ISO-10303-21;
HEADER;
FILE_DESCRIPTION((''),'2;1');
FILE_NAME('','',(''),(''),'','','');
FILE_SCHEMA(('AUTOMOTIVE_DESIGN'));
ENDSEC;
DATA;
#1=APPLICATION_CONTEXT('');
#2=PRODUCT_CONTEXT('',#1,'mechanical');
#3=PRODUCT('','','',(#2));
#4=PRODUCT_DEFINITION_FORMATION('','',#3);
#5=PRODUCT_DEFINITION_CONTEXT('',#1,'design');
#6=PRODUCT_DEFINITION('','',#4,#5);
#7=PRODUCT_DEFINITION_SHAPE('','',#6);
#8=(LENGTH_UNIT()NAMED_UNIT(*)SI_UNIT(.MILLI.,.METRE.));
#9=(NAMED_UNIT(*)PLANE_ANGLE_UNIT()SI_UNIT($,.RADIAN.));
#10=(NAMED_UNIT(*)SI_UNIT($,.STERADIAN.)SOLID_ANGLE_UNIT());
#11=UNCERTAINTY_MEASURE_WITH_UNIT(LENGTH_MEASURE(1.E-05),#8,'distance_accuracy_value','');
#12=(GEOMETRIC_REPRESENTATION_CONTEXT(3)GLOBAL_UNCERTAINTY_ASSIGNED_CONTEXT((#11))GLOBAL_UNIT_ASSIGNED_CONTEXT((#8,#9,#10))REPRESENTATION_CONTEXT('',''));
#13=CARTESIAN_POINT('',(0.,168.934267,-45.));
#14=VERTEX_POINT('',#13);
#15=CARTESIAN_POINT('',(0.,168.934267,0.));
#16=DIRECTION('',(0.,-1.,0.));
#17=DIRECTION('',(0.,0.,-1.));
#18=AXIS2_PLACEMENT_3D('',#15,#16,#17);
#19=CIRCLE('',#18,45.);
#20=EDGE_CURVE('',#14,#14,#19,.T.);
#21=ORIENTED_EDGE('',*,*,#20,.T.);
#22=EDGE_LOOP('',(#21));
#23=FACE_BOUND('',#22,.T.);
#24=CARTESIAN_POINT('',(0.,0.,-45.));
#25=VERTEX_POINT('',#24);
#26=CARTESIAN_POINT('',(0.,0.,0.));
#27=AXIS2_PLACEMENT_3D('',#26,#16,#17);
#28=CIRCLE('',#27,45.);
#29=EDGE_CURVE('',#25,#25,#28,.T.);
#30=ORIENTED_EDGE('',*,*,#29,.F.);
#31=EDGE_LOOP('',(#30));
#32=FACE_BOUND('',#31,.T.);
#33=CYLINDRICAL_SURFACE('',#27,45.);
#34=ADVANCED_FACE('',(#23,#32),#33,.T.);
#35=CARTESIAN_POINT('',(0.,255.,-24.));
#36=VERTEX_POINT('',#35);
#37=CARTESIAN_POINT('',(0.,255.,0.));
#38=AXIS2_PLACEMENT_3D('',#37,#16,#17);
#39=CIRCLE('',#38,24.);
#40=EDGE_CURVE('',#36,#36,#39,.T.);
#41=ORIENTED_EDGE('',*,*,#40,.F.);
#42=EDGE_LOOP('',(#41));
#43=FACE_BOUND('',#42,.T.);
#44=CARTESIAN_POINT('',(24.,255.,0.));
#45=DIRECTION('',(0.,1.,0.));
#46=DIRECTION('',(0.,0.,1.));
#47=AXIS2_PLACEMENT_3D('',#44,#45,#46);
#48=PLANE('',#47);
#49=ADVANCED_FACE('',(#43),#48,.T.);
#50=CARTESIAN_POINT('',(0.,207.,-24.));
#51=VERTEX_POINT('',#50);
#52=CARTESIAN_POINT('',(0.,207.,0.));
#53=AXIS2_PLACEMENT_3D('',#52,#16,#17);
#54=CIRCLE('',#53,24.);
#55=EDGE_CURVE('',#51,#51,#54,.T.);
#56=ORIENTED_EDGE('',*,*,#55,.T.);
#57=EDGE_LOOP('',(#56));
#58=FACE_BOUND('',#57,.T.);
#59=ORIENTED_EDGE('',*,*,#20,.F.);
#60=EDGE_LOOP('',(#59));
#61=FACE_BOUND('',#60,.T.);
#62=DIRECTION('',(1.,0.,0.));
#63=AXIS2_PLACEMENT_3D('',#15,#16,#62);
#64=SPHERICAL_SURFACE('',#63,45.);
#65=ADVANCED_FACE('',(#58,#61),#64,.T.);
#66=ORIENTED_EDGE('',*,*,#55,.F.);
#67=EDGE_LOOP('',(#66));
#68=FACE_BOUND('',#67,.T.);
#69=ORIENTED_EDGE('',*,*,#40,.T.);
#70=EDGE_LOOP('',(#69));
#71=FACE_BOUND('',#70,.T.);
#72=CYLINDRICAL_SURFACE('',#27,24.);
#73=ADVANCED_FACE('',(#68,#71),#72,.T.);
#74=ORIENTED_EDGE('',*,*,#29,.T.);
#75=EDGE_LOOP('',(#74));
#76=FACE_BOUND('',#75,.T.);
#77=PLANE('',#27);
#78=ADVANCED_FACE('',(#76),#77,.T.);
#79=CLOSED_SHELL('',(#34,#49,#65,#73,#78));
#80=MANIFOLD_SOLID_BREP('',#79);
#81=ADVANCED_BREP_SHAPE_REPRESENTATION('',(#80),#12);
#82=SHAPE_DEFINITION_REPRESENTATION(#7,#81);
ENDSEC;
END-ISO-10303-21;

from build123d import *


with BuildPart() as part:
    # Skica1 → Rotovat1 (revolve)
    with BuildSketch(Plane.XY, mode=Mode.PRIVATE) as rotovat1_sk:
        with BuildLine():
            Line((0, 0), (45, 0))
            Line((45, 0), (45, 168.934267379))
            ThreePointArc((45, 168.934267379), (39.40177661, 190.671332498), (24, 207))
            Line((24, 207), (24, 255))
            Line((24, 255), (0, 255))
            Line((0, 255), (0, 0))
        make_face()
    revolve(rotovat1_sk.sketch.rotate(Axis((0, 0, 0), (0, 1, 0)), 90), axis=Axis((0, 0, 0), (0, 1, 0)))


solid = part.part
